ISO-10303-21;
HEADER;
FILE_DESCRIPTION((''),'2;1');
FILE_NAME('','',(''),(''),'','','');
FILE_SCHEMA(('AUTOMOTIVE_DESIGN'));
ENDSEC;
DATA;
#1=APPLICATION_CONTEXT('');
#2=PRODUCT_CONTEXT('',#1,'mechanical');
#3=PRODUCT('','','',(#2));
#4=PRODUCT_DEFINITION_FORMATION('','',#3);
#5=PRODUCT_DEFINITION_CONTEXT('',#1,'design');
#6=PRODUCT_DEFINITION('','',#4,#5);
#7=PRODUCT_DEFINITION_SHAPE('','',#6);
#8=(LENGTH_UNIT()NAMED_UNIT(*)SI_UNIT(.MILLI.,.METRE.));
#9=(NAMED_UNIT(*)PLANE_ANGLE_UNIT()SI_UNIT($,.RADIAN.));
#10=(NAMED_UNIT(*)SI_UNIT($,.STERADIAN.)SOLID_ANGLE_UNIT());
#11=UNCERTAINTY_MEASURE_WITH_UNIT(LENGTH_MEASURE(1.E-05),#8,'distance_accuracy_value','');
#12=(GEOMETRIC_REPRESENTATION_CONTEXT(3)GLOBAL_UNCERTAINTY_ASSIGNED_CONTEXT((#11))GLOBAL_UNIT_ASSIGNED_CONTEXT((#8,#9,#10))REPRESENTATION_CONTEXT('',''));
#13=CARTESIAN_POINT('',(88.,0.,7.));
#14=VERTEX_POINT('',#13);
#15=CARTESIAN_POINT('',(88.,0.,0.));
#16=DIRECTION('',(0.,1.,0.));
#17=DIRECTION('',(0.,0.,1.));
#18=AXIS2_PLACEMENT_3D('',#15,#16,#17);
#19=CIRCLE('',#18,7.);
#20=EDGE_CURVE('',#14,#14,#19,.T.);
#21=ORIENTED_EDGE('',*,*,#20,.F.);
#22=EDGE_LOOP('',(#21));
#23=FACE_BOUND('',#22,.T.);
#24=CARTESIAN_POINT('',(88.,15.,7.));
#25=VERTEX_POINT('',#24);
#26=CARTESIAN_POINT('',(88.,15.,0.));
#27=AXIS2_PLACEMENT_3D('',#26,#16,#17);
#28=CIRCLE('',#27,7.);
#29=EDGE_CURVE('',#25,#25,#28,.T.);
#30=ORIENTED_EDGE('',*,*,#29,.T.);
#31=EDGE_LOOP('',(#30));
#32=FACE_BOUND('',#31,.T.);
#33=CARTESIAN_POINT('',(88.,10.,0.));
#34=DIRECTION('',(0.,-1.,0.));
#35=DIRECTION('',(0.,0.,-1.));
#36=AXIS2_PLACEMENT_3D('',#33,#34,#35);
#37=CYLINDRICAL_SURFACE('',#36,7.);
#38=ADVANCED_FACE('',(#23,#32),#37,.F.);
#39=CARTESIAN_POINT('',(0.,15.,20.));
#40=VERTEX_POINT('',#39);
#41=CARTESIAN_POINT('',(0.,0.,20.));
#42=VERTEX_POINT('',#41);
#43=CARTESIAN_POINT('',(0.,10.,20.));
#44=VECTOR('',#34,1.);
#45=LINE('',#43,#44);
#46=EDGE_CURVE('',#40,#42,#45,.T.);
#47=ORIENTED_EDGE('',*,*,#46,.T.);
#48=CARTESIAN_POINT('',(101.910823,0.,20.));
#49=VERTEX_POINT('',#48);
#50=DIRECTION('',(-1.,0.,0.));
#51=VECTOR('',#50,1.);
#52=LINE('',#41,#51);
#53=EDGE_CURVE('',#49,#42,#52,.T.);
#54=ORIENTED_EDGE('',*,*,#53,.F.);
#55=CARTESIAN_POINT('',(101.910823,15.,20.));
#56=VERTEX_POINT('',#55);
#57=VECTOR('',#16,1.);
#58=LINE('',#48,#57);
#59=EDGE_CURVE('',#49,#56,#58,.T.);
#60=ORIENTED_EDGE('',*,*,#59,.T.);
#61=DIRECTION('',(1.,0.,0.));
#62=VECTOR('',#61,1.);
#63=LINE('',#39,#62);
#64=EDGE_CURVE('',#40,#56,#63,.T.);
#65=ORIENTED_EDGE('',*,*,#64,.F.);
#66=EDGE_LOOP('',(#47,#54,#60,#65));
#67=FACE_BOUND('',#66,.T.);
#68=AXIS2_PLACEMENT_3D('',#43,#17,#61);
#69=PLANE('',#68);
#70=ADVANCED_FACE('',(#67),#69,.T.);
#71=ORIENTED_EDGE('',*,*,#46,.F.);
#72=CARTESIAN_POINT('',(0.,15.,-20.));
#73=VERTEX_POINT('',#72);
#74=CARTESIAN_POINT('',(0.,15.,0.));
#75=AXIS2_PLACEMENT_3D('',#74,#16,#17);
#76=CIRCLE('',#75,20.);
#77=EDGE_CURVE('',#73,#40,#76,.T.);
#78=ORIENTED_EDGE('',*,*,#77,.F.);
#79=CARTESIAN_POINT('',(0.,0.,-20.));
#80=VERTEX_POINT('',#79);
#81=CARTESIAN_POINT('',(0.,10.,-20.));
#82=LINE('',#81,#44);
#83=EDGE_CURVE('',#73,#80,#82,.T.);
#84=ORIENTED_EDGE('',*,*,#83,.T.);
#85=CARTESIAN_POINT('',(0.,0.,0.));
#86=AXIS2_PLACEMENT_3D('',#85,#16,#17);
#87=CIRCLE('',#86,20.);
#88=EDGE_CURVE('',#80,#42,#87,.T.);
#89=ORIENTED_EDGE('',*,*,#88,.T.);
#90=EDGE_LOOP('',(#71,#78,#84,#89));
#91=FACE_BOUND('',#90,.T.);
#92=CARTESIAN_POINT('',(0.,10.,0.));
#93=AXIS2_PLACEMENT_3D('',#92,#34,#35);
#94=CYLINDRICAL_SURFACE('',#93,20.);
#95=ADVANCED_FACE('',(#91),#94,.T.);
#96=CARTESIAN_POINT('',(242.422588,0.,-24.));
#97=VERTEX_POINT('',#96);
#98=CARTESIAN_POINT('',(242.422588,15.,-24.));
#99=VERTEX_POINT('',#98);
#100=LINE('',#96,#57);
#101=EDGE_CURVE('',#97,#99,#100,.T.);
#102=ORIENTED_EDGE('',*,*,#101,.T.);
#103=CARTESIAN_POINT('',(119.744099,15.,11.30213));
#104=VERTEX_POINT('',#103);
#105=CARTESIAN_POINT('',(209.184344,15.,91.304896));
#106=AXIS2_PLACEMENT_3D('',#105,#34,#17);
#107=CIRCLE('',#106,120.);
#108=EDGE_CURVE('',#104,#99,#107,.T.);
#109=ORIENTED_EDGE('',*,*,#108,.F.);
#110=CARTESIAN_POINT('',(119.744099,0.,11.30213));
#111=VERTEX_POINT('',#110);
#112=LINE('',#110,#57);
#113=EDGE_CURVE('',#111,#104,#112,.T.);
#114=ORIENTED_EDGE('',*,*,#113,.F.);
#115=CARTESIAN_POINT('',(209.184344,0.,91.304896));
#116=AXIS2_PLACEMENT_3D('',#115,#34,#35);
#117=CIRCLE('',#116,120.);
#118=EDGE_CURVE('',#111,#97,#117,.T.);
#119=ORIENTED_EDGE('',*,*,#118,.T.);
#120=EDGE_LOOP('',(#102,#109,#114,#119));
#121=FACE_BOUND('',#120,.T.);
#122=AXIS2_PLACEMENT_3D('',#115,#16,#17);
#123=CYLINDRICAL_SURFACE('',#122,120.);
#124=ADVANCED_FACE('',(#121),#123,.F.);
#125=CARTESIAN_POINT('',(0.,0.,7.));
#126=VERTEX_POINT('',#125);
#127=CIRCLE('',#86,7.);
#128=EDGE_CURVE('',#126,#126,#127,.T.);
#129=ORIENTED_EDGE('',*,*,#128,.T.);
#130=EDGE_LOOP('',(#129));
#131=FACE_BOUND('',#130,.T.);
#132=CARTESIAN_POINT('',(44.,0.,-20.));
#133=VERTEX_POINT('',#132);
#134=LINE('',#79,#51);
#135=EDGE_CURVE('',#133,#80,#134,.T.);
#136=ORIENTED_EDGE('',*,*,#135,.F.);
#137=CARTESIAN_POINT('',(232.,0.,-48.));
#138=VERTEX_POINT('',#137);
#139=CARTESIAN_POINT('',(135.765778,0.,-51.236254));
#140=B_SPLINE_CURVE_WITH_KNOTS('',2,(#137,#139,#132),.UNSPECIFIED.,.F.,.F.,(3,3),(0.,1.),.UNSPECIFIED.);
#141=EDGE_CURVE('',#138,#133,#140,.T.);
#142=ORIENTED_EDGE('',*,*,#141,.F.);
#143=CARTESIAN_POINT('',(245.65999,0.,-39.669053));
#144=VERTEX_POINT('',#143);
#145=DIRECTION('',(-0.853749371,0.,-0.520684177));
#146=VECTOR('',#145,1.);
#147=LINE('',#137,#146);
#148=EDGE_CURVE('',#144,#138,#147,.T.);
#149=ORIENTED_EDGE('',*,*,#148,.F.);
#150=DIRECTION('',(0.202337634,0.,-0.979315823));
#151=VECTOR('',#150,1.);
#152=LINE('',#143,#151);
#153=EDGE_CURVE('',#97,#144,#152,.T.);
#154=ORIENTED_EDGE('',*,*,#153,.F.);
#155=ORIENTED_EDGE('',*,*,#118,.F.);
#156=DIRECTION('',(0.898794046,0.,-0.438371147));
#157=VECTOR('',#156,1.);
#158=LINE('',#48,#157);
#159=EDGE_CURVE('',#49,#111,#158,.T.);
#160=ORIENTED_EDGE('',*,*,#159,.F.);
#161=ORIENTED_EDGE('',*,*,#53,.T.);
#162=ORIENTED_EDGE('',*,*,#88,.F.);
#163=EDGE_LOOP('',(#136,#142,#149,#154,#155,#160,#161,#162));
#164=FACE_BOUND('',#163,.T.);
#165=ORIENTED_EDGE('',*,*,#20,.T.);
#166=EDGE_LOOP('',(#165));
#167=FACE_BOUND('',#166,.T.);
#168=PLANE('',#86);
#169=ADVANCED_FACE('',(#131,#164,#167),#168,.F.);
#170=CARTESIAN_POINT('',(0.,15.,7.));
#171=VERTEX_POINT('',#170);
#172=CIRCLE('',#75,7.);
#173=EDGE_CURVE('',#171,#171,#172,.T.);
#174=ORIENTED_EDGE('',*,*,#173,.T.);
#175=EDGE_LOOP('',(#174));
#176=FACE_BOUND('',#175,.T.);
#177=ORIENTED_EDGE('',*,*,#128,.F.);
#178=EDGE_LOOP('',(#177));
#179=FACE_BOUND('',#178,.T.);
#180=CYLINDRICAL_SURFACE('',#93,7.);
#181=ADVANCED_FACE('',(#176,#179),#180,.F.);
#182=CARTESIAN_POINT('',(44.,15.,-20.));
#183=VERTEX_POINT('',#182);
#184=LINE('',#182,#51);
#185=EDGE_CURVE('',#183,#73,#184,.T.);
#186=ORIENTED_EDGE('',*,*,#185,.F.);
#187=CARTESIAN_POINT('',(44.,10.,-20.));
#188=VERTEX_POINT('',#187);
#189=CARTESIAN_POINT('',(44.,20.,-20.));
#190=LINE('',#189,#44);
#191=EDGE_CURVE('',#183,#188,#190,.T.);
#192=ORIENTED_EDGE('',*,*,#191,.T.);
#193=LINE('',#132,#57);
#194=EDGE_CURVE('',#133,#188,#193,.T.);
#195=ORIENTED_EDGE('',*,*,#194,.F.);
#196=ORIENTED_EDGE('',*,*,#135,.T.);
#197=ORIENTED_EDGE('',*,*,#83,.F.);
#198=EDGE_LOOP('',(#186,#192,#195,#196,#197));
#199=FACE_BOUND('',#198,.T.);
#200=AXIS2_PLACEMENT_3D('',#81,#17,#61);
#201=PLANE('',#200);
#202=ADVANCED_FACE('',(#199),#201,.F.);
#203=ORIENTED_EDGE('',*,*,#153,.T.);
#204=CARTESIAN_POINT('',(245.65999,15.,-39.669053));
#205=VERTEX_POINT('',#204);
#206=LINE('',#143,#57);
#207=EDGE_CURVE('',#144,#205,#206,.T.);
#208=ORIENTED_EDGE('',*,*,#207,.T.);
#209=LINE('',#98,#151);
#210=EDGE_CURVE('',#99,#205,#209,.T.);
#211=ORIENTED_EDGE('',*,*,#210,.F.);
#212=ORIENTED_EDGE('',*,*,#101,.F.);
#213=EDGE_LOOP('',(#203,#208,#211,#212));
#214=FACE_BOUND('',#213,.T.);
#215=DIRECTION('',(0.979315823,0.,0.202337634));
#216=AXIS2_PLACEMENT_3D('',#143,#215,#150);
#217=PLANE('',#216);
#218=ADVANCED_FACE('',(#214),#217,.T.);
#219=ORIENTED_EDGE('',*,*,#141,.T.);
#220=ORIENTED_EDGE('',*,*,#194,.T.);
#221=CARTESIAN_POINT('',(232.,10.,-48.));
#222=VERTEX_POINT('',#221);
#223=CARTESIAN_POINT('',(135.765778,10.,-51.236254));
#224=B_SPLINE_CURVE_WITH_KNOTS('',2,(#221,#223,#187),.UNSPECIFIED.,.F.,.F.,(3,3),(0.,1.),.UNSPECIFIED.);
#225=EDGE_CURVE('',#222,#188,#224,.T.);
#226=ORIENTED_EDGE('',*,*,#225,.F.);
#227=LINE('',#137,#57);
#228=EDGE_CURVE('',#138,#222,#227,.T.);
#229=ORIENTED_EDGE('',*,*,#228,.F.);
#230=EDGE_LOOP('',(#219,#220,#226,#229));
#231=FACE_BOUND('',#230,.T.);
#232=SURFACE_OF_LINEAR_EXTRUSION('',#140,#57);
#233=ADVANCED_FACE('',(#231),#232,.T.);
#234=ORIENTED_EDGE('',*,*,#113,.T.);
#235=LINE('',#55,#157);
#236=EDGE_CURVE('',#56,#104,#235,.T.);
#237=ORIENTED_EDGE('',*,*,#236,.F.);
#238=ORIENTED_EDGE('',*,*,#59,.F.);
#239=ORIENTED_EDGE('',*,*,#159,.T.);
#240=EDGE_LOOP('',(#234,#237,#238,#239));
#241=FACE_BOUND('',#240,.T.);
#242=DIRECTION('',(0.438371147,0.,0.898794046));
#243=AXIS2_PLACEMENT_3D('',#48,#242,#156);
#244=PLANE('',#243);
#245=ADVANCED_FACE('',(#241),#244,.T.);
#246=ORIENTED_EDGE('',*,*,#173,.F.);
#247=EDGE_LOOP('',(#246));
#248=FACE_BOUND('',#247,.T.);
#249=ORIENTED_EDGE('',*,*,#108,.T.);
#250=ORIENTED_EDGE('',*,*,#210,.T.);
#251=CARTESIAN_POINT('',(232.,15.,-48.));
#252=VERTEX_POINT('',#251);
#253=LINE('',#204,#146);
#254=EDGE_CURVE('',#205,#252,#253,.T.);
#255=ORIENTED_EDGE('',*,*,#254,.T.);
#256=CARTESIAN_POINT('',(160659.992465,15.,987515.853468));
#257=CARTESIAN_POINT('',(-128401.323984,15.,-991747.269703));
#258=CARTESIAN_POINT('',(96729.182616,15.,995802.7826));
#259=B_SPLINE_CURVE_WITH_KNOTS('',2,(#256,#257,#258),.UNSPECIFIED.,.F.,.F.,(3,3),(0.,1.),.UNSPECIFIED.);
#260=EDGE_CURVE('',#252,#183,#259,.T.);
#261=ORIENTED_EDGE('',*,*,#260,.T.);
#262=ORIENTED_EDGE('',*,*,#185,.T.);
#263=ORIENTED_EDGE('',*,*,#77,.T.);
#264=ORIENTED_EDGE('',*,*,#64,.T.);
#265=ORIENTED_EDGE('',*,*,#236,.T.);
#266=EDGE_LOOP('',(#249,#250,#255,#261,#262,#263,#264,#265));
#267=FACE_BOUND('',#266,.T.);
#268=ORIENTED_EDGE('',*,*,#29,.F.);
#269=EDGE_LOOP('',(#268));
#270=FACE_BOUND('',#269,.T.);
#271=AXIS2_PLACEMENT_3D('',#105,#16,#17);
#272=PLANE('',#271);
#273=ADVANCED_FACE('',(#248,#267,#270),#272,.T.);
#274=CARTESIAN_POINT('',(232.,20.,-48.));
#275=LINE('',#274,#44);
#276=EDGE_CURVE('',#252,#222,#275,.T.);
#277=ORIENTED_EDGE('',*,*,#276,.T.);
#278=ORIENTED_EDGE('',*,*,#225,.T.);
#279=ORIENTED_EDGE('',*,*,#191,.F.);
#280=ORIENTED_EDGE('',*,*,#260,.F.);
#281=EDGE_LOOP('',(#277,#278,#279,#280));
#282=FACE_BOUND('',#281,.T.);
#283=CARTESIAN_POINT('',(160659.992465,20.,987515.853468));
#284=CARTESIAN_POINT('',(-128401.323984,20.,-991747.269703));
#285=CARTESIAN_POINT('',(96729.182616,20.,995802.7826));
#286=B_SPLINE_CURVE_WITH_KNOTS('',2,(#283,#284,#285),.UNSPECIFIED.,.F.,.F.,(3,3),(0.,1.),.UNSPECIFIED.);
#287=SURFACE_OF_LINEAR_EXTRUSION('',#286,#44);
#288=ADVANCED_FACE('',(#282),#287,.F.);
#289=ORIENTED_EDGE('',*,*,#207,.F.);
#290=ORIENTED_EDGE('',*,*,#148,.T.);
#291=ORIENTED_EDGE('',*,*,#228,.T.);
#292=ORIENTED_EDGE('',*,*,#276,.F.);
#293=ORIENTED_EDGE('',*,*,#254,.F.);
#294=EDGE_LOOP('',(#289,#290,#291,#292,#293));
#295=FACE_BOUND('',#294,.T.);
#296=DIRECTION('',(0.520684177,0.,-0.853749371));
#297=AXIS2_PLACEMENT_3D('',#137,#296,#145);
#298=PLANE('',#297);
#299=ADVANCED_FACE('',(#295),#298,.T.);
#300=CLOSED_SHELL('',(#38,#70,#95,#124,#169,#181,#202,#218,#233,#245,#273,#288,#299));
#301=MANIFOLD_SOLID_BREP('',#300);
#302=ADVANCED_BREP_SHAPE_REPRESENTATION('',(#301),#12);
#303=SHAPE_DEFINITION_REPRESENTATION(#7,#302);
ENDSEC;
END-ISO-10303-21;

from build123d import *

# Parameters (mm, degrees)
SKETCH_1_R          = 20
SKETCH_1_R_2        = 7
EXTRUDE_1_DEPTH     = 10
EXTRUDE_START       = -10
EXTRUDE_2_DEPTH     = 10
SKETCH_3_R          = 7
EXTRUDE_3_DEPTH     = 10
CUT_EXTRUDE_START   = -5
SKETCH_4_R          = 7
CUT_EXTRUDE_1_DEPTH = 5


with BuildPart() as part:
    # 草图1 → 凸台-拉伸1 (new body)
    # profile 1 of 3: a face of its own
    with BuildSketch(Plane(origin=(0, 0, 0), x_dir=(1, 0, 0), z_dir=(0, 1, 0))):
        Circle(SKETCH_1_R)
        with Locations(Location((0, 0, 0), (0, 0, 270))):
            Circle(SKETCH_1_R_2, mode=Mode.SUBTRACT)
    # profile 2 of 3: a face of its own
    with BuildSketch(Plane(origin=(0, 0, 0), x_dir=(1, 0, 0), z_dir=(0, 1, 0))):
        with BuildLine():
            Line((0, -20), (88, -20))
            ThreePointArc((88, -20), (68, 0), (88, 20))
            Line((88, 20), (-1.4e-08, 20))
            ThreePointArc((-1.4e-08, 20), (14.142135619, 14.142135629), (20, 0))
            ThreePointArc((20, 0), (14.142135624, -14.142135624), (0, -20))
        make_face()
    # profile 3 of 3: a face of its own
    with BuildSketch(Plane(origin=(0, 0, 0), x_dir=(1, 0, 0), z_dir=(0, 1, 0))):
        with Locations((88, 0)):
            Circle(SKETCH_1_R)
        with Locations(Location((88, 0, 0), (0, 0, 270))):
            Circle(SKETCH_1_R_2, mode=Mode.SUBTRACT)
    extrude(amount=EXTRUDE_1_DEPTH)

    # 草图2 → 凸台-拉伸2 (add)
    with BuildSketch(Plane(origin=(0, 10, 0), x_dir=(1, 0, 0), z_dir=(0, 1, 0)).offset(EXTRUDE_START)):
        with BuildLine():
            Line((88, -20), (101.910822615, -20))
            Line((101.910822615, -20), (119.744098688, -11.302130098))
            ThreePointArc((119.744098688, -11.302130098), (175.999613382, 24.015412746), (242.422587784, 24))
            Line((242.422587784, 24), (245.659989933, 39.669053173))
            Line((245.659989933, 39.669053173), (232, 48))
            add(Edge.make_bspline(
                [(44, 20), (135.765778064, 51.236254285), (232, 48)],
                knots=[0, 0, 0, 1, 1, 1], degree=2))
            Line((44, 20), (88, 20))
            ThreePointArc((88, 20), (108, 0), (88, -20))
        make_face()
    extrude(amount=EXTRUDE_2_DEPTH)

    # 草图3 → 凸台-拉伸3 (add)
    with BuildSketch(Plane(origin=(0, 10, 0), x_dir=(1, 0, 0), z_dir=(0, 1, 0))):
        with BuildLine():
            Line((245.659989933, 39.669053173), (232, 48))
            add(Edge.make_bspline(
                [(232, 48), (135.765778064, 51.236254285), (44, 20)],
                knots=[0, 0, 0, 1, 1, 1], degree=2))
            Line((44, 20), (0, 20))
            ThreePointArc((0, 20), (-20, 0), (0, -20))
            Line((0, -20), (101.910822615, -20))
            Line((101.910822615, -20), (119.744098688, -11.302130098))
            ThreePointArc((119.744098688, -11.302130098), (175.999613382, 24.015412746), (242.422587784, 24))
            Line((242.422587784, 24), (245.659989933, 39.669053173))
        make_face()
        with Locations(Location((88, 0, 0), (0, 0, 270))):
            Circle(SKETCH_3_R, mode=Mode.SUBTRACT)
        with Locations(Location((0, 0, 0), (0, 0, 270))):
            Circle(SKETCH_3_R, mode=Mode.SUBTRACT)
    extrude(amount=EXTRUDE_3_DEPTH)

    # 草图4 → 切除-拉伸1 (cut)
    with BuildSketch(Plane(origin=(0, 20, 0), x_dir=(1, 0, 0), z_dir=(0, 1, 0)).offset(CUT_EXTRUDE_START)):
        with BuildLine():
            Line((242.422587784, 24), (245.659989933, 39.669053173))
            Line((245.659989933, 39.669053173), (232, 48))
            add(Edge.make_bspline(
                [(232, 48), (135.765778061, 51.236254285), (43.999999994, 19.999999998)],
                knots=[0, 0, 0, 1, 1, 1], degree=2))
            Line((43.999999994, 19.999999998), (0, 20))
            ThreePointArc((0, 20), (-20, 0), (0, -20))
            Line((0, -20), (101.910822615, -20))
            Line((101.910822615, -20), (119.744098688, -11.302130098))
            ThreePointArc((119.744098688, -11.302130098), (175.999613382, 24.015412746), (242.422587784, 24))
        make_face()
        with Locations(Location((0, 0, 0), (0, 0, 270))):
            Circle(SKETCH_4_R, mode=Mode.SUBTRACT)
        with Locations(Location((88, 0, 0), (0, 0, 270))):
            Circle(SKETCH_4_R, mode=Mode.SUBTRACT)
    extrude(amount=CUT_EXTRUDE_1_DEPTH, mode=Mode.SUBTRACT)


solid = part.part
